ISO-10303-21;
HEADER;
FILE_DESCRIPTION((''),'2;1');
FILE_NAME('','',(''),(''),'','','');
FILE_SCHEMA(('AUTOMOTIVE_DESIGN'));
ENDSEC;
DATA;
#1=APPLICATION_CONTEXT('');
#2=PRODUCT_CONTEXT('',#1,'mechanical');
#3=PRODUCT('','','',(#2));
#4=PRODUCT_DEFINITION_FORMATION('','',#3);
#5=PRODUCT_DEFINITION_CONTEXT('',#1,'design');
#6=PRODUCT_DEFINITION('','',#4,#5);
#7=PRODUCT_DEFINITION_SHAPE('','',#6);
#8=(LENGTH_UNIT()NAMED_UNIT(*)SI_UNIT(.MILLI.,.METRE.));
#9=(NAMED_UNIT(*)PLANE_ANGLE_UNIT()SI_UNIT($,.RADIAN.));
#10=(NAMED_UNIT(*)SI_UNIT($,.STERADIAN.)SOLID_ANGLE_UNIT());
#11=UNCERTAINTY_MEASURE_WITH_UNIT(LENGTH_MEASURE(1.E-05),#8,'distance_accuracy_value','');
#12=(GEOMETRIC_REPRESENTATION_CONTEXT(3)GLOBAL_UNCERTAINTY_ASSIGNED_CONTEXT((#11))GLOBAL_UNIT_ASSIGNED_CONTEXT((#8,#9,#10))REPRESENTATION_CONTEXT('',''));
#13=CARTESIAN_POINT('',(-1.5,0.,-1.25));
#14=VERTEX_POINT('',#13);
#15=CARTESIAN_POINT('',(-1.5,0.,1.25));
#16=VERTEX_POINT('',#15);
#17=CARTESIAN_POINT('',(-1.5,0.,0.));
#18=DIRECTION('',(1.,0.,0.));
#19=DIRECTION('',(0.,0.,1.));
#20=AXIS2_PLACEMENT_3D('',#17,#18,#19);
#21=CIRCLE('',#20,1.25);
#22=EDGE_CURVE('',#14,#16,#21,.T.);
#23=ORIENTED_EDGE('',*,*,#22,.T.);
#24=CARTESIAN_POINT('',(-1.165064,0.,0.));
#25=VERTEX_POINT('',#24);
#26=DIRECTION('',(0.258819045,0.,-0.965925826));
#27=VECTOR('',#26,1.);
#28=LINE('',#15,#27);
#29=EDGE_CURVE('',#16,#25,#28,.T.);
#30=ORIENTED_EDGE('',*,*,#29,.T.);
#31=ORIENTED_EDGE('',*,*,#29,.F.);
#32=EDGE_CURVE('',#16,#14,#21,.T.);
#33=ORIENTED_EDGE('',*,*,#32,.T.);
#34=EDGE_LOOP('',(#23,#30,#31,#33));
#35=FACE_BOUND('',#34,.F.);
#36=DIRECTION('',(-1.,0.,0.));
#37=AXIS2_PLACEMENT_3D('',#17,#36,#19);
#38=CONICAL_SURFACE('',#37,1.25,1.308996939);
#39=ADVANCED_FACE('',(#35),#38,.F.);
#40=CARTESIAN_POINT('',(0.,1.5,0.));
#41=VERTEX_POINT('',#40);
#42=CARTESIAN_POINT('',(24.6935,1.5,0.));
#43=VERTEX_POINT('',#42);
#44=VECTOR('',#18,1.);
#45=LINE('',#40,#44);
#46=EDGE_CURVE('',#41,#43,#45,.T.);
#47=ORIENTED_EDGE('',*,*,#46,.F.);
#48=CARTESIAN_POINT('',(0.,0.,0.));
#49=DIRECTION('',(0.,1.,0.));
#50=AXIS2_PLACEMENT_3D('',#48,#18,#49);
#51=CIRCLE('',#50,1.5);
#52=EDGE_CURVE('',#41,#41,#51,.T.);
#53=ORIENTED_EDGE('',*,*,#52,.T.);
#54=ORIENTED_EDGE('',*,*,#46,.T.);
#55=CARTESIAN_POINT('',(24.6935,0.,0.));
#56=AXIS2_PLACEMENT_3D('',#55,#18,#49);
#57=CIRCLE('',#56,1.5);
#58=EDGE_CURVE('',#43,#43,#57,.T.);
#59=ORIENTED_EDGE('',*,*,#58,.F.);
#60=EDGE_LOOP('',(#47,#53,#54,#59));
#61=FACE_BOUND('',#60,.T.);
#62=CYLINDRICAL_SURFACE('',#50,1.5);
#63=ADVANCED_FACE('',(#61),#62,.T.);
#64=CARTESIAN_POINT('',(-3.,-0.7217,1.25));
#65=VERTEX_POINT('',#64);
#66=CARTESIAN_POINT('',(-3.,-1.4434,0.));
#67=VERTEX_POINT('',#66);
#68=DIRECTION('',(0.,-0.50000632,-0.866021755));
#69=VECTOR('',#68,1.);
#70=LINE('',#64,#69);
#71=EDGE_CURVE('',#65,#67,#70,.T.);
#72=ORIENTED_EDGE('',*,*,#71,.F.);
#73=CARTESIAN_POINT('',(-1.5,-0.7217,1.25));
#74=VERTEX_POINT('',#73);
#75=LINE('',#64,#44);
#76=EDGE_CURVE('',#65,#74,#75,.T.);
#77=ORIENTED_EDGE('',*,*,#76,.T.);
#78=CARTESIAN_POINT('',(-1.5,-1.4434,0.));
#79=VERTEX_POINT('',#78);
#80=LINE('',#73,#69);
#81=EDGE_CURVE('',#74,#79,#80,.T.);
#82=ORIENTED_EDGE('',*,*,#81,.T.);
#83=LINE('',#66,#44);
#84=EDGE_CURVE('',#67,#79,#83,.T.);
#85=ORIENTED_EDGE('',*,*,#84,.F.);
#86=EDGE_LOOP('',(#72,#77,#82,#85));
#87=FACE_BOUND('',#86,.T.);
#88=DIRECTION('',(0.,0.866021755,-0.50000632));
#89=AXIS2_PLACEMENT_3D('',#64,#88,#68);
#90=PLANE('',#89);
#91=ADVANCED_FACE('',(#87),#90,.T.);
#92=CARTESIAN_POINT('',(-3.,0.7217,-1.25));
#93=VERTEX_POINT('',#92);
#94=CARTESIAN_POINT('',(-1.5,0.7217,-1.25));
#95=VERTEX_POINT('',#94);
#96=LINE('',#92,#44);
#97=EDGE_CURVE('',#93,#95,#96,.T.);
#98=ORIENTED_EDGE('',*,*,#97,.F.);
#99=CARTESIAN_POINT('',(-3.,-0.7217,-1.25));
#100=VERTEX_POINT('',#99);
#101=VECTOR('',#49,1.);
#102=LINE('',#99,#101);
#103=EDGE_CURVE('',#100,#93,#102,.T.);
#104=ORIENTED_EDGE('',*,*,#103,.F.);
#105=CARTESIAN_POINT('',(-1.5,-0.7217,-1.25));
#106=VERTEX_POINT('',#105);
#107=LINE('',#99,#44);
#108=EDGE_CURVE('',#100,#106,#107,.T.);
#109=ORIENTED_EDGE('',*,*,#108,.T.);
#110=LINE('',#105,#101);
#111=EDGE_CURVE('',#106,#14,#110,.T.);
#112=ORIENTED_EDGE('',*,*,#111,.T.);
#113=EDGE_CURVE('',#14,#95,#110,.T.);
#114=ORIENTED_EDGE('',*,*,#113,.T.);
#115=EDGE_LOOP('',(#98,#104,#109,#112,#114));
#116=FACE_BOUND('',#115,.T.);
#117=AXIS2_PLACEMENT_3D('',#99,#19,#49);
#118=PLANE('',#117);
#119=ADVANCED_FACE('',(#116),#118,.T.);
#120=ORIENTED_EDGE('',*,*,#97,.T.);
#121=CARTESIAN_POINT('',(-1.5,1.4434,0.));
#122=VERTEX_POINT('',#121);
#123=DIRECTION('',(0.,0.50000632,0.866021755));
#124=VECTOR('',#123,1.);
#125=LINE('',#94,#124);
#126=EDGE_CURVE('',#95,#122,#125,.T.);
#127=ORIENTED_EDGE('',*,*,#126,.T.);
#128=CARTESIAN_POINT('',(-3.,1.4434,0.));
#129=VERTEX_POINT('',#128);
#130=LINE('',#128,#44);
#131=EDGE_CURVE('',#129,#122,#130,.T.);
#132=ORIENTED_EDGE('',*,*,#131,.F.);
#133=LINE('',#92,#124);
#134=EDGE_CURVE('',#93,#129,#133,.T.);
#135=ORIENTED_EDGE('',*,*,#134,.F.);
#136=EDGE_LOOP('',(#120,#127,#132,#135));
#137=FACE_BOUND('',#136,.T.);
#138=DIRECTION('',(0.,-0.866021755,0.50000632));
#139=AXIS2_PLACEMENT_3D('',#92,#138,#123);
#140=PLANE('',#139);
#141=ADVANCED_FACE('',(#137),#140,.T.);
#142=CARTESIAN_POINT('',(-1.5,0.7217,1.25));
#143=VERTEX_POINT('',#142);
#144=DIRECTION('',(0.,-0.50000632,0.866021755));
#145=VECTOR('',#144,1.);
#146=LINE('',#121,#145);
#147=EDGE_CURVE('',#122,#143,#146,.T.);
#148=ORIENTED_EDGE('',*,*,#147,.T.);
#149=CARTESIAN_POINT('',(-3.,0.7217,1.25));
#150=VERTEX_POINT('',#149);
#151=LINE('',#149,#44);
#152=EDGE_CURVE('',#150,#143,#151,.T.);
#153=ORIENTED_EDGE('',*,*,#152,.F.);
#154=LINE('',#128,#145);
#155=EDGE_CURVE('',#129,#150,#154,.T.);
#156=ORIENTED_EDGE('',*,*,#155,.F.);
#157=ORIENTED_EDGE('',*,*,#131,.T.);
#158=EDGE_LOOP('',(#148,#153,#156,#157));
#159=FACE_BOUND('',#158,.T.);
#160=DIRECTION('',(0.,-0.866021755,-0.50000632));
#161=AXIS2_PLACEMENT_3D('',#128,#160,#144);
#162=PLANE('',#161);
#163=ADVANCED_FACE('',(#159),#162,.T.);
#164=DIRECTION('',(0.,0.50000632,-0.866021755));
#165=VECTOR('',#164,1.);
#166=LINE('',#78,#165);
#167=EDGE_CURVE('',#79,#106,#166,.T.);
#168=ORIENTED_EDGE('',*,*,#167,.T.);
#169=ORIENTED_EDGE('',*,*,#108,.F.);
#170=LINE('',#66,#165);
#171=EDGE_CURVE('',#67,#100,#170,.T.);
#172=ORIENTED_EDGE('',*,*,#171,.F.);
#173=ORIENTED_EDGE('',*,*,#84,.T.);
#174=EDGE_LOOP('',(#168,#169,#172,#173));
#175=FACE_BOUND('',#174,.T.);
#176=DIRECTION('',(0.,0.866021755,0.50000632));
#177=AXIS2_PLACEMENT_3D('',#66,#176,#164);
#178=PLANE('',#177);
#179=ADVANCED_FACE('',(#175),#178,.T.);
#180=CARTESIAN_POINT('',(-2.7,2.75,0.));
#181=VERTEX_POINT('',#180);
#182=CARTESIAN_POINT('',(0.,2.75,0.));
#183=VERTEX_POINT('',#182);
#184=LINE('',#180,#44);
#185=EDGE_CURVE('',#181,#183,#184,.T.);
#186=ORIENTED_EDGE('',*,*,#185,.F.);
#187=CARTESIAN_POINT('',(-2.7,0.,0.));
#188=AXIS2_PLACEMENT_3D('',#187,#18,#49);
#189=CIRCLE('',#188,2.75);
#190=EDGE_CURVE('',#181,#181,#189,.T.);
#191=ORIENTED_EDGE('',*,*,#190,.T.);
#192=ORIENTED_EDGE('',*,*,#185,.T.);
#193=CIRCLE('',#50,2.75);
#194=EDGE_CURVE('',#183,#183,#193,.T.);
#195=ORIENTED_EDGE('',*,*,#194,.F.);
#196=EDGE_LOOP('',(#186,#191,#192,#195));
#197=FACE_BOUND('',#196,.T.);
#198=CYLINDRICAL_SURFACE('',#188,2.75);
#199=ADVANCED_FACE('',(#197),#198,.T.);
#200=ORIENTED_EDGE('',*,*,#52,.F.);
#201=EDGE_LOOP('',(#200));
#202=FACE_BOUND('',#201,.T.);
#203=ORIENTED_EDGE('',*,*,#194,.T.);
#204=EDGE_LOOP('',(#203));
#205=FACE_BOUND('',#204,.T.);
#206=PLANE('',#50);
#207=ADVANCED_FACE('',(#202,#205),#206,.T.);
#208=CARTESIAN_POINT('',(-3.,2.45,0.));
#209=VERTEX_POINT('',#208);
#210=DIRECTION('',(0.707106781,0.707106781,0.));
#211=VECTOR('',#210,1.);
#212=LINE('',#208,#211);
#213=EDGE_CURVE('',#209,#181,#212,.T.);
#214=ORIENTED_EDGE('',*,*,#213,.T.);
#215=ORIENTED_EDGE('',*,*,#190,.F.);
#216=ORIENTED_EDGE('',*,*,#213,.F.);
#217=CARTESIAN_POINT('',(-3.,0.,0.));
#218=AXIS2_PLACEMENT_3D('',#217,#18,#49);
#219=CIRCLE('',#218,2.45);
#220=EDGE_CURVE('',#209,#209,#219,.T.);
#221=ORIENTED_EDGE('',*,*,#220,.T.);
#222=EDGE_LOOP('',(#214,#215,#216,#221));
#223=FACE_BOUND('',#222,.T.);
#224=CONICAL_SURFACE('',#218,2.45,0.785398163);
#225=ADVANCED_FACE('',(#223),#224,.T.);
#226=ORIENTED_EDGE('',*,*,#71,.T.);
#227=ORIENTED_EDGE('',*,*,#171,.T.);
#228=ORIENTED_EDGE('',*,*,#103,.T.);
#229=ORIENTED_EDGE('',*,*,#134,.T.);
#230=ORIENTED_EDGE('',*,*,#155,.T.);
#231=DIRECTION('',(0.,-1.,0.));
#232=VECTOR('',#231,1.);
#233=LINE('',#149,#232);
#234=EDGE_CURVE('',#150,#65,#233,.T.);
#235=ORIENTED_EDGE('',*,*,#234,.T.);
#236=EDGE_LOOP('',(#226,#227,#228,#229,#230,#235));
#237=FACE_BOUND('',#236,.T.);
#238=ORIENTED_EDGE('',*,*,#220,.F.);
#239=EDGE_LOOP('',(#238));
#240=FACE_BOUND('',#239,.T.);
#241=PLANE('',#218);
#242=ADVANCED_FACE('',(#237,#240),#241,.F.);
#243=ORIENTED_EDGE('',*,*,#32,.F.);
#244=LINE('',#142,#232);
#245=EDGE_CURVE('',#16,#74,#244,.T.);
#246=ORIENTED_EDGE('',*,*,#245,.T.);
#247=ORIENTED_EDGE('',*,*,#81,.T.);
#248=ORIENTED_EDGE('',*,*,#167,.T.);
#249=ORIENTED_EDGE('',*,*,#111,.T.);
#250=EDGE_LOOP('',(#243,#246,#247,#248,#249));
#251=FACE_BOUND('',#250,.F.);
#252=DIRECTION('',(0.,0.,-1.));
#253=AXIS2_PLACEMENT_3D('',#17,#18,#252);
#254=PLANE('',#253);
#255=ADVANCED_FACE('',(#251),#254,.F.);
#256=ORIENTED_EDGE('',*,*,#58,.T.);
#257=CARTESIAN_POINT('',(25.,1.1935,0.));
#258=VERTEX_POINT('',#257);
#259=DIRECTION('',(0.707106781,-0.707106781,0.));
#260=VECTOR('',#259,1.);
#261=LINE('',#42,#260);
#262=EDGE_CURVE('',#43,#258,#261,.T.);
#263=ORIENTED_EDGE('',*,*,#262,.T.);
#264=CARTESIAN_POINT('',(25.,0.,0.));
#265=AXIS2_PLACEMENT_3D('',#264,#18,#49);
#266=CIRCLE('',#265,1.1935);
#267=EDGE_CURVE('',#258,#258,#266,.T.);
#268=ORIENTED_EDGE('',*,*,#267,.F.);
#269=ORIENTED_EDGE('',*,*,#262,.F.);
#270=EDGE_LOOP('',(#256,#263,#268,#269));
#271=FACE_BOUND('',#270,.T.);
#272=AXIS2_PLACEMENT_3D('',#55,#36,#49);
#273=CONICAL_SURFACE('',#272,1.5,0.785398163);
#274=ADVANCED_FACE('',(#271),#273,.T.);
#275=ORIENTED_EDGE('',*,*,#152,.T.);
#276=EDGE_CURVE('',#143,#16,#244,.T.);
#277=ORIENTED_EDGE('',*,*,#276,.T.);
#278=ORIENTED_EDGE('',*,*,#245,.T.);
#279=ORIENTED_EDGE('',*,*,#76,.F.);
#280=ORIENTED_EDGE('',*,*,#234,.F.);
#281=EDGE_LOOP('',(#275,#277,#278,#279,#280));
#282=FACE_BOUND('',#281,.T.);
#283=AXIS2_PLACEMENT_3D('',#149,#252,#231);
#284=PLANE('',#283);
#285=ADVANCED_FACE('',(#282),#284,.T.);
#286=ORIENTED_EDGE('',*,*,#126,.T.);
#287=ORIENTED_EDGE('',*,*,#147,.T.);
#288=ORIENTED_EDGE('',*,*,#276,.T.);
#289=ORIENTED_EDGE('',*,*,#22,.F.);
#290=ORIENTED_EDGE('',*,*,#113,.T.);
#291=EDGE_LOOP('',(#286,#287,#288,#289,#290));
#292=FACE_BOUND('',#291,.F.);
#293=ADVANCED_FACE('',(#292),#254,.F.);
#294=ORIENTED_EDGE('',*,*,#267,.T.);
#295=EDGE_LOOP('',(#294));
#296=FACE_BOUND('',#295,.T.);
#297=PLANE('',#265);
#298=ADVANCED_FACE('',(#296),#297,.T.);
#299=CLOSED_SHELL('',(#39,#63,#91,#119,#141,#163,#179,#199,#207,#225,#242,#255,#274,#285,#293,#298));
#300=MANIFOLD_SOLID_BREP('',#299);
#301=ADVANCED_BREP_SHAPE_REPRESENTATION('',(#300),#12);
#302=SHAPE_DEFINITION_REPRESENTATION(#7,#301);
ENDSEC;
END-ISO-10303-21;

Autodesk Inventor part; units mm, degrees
sketch "Sketch_2" plane through (0, 0, 0) normal (0, 0, 1) x (1, 0, 0)
  line L0 (25, 0) -> (-3, 0)
  line L1 (-3, 0) -> (-3, 2.45)
  line L2 (-3, 2.45) -> (-2.7, 2.75)
  line L3 (-2.7, 2.75) -> (0, 2.75)
  line L4 (0, 2.75) -> (0, 1.5)
  line L5 (0, 1.5) -> (24.6935, 1.5)
  line L6 (24.6935, 1.5) -> (25, 1.1935)
  line L7 (25, 1.1935) -> (25, 0)
  line L8 (25, 0) -> (-3, 0)
revolve "Revolution1" add sketch "Sketch_2" angle 360 about axis through (25, 0, 0) along (1, 0, 0)
thread "Thread1" size "M3x0.5" class "6g" standard "ISO Metric profile" length 17.6935
sketch "Sketch2" plane through (-3, 0, 0) normal (-1, 0, 0) x (0, 0, 1)
  point P0 (0, 0)
hole "Hole1" at (-3, 0, 0) direction (1, 0, 0) diameter 2.5 depth 1.5 tip angle 150
sketch "Sketch_3" plane through (-3, 0, 0) normal (1, 0, 0) x (0, 0, -1)
  line L0 (-1.25, -0.7217) -> (0, -1.4434)
  line L1 (0, -1.4434) -> (1.25, -0.7217)
  line L2 (1.25, -0.7217) -> (1.25, 0.7217)
  line L3 (1.25, 0.7217) -> (0, 1.4434)
  line L4 (0, 1.4434) -> (-1.25, 0.7217)
  line L5 (-1.25, 0.7217) -> (-1.25, -0.7217)
extrude "Extrusion1" cut sketch "Sketch_3" along normal blind 1.5
ref_plane "bolt_to_nut_XY" through (25, 0, 0) normal (1, 0, 0) x (0, 0, -1)
ref_plane "bolt_to_nut_YZ" through (25, 0, 0) normal (0, 0, -1) x (0, 1, 0)
ref_plane "bolt_to_nut_ZX" through (25, 0, 0) normal (0, 1, 0) x (1, 0, 0)
ref_plane "screw1_XY" through (0, 0, 0) normal (1, 0, 0) x (0, 0, -1)
ref_plane "screw1_YZ" through (0, 0, 0) normal (0, 0, -1) x (0, 1, 0)
ref_plane "screw1_ZX" through (0, 0, 0) normal (0, 1, 0) x (1, 0, 0)
properties part number "CB3-25" material "鋼、炭素鋼"
